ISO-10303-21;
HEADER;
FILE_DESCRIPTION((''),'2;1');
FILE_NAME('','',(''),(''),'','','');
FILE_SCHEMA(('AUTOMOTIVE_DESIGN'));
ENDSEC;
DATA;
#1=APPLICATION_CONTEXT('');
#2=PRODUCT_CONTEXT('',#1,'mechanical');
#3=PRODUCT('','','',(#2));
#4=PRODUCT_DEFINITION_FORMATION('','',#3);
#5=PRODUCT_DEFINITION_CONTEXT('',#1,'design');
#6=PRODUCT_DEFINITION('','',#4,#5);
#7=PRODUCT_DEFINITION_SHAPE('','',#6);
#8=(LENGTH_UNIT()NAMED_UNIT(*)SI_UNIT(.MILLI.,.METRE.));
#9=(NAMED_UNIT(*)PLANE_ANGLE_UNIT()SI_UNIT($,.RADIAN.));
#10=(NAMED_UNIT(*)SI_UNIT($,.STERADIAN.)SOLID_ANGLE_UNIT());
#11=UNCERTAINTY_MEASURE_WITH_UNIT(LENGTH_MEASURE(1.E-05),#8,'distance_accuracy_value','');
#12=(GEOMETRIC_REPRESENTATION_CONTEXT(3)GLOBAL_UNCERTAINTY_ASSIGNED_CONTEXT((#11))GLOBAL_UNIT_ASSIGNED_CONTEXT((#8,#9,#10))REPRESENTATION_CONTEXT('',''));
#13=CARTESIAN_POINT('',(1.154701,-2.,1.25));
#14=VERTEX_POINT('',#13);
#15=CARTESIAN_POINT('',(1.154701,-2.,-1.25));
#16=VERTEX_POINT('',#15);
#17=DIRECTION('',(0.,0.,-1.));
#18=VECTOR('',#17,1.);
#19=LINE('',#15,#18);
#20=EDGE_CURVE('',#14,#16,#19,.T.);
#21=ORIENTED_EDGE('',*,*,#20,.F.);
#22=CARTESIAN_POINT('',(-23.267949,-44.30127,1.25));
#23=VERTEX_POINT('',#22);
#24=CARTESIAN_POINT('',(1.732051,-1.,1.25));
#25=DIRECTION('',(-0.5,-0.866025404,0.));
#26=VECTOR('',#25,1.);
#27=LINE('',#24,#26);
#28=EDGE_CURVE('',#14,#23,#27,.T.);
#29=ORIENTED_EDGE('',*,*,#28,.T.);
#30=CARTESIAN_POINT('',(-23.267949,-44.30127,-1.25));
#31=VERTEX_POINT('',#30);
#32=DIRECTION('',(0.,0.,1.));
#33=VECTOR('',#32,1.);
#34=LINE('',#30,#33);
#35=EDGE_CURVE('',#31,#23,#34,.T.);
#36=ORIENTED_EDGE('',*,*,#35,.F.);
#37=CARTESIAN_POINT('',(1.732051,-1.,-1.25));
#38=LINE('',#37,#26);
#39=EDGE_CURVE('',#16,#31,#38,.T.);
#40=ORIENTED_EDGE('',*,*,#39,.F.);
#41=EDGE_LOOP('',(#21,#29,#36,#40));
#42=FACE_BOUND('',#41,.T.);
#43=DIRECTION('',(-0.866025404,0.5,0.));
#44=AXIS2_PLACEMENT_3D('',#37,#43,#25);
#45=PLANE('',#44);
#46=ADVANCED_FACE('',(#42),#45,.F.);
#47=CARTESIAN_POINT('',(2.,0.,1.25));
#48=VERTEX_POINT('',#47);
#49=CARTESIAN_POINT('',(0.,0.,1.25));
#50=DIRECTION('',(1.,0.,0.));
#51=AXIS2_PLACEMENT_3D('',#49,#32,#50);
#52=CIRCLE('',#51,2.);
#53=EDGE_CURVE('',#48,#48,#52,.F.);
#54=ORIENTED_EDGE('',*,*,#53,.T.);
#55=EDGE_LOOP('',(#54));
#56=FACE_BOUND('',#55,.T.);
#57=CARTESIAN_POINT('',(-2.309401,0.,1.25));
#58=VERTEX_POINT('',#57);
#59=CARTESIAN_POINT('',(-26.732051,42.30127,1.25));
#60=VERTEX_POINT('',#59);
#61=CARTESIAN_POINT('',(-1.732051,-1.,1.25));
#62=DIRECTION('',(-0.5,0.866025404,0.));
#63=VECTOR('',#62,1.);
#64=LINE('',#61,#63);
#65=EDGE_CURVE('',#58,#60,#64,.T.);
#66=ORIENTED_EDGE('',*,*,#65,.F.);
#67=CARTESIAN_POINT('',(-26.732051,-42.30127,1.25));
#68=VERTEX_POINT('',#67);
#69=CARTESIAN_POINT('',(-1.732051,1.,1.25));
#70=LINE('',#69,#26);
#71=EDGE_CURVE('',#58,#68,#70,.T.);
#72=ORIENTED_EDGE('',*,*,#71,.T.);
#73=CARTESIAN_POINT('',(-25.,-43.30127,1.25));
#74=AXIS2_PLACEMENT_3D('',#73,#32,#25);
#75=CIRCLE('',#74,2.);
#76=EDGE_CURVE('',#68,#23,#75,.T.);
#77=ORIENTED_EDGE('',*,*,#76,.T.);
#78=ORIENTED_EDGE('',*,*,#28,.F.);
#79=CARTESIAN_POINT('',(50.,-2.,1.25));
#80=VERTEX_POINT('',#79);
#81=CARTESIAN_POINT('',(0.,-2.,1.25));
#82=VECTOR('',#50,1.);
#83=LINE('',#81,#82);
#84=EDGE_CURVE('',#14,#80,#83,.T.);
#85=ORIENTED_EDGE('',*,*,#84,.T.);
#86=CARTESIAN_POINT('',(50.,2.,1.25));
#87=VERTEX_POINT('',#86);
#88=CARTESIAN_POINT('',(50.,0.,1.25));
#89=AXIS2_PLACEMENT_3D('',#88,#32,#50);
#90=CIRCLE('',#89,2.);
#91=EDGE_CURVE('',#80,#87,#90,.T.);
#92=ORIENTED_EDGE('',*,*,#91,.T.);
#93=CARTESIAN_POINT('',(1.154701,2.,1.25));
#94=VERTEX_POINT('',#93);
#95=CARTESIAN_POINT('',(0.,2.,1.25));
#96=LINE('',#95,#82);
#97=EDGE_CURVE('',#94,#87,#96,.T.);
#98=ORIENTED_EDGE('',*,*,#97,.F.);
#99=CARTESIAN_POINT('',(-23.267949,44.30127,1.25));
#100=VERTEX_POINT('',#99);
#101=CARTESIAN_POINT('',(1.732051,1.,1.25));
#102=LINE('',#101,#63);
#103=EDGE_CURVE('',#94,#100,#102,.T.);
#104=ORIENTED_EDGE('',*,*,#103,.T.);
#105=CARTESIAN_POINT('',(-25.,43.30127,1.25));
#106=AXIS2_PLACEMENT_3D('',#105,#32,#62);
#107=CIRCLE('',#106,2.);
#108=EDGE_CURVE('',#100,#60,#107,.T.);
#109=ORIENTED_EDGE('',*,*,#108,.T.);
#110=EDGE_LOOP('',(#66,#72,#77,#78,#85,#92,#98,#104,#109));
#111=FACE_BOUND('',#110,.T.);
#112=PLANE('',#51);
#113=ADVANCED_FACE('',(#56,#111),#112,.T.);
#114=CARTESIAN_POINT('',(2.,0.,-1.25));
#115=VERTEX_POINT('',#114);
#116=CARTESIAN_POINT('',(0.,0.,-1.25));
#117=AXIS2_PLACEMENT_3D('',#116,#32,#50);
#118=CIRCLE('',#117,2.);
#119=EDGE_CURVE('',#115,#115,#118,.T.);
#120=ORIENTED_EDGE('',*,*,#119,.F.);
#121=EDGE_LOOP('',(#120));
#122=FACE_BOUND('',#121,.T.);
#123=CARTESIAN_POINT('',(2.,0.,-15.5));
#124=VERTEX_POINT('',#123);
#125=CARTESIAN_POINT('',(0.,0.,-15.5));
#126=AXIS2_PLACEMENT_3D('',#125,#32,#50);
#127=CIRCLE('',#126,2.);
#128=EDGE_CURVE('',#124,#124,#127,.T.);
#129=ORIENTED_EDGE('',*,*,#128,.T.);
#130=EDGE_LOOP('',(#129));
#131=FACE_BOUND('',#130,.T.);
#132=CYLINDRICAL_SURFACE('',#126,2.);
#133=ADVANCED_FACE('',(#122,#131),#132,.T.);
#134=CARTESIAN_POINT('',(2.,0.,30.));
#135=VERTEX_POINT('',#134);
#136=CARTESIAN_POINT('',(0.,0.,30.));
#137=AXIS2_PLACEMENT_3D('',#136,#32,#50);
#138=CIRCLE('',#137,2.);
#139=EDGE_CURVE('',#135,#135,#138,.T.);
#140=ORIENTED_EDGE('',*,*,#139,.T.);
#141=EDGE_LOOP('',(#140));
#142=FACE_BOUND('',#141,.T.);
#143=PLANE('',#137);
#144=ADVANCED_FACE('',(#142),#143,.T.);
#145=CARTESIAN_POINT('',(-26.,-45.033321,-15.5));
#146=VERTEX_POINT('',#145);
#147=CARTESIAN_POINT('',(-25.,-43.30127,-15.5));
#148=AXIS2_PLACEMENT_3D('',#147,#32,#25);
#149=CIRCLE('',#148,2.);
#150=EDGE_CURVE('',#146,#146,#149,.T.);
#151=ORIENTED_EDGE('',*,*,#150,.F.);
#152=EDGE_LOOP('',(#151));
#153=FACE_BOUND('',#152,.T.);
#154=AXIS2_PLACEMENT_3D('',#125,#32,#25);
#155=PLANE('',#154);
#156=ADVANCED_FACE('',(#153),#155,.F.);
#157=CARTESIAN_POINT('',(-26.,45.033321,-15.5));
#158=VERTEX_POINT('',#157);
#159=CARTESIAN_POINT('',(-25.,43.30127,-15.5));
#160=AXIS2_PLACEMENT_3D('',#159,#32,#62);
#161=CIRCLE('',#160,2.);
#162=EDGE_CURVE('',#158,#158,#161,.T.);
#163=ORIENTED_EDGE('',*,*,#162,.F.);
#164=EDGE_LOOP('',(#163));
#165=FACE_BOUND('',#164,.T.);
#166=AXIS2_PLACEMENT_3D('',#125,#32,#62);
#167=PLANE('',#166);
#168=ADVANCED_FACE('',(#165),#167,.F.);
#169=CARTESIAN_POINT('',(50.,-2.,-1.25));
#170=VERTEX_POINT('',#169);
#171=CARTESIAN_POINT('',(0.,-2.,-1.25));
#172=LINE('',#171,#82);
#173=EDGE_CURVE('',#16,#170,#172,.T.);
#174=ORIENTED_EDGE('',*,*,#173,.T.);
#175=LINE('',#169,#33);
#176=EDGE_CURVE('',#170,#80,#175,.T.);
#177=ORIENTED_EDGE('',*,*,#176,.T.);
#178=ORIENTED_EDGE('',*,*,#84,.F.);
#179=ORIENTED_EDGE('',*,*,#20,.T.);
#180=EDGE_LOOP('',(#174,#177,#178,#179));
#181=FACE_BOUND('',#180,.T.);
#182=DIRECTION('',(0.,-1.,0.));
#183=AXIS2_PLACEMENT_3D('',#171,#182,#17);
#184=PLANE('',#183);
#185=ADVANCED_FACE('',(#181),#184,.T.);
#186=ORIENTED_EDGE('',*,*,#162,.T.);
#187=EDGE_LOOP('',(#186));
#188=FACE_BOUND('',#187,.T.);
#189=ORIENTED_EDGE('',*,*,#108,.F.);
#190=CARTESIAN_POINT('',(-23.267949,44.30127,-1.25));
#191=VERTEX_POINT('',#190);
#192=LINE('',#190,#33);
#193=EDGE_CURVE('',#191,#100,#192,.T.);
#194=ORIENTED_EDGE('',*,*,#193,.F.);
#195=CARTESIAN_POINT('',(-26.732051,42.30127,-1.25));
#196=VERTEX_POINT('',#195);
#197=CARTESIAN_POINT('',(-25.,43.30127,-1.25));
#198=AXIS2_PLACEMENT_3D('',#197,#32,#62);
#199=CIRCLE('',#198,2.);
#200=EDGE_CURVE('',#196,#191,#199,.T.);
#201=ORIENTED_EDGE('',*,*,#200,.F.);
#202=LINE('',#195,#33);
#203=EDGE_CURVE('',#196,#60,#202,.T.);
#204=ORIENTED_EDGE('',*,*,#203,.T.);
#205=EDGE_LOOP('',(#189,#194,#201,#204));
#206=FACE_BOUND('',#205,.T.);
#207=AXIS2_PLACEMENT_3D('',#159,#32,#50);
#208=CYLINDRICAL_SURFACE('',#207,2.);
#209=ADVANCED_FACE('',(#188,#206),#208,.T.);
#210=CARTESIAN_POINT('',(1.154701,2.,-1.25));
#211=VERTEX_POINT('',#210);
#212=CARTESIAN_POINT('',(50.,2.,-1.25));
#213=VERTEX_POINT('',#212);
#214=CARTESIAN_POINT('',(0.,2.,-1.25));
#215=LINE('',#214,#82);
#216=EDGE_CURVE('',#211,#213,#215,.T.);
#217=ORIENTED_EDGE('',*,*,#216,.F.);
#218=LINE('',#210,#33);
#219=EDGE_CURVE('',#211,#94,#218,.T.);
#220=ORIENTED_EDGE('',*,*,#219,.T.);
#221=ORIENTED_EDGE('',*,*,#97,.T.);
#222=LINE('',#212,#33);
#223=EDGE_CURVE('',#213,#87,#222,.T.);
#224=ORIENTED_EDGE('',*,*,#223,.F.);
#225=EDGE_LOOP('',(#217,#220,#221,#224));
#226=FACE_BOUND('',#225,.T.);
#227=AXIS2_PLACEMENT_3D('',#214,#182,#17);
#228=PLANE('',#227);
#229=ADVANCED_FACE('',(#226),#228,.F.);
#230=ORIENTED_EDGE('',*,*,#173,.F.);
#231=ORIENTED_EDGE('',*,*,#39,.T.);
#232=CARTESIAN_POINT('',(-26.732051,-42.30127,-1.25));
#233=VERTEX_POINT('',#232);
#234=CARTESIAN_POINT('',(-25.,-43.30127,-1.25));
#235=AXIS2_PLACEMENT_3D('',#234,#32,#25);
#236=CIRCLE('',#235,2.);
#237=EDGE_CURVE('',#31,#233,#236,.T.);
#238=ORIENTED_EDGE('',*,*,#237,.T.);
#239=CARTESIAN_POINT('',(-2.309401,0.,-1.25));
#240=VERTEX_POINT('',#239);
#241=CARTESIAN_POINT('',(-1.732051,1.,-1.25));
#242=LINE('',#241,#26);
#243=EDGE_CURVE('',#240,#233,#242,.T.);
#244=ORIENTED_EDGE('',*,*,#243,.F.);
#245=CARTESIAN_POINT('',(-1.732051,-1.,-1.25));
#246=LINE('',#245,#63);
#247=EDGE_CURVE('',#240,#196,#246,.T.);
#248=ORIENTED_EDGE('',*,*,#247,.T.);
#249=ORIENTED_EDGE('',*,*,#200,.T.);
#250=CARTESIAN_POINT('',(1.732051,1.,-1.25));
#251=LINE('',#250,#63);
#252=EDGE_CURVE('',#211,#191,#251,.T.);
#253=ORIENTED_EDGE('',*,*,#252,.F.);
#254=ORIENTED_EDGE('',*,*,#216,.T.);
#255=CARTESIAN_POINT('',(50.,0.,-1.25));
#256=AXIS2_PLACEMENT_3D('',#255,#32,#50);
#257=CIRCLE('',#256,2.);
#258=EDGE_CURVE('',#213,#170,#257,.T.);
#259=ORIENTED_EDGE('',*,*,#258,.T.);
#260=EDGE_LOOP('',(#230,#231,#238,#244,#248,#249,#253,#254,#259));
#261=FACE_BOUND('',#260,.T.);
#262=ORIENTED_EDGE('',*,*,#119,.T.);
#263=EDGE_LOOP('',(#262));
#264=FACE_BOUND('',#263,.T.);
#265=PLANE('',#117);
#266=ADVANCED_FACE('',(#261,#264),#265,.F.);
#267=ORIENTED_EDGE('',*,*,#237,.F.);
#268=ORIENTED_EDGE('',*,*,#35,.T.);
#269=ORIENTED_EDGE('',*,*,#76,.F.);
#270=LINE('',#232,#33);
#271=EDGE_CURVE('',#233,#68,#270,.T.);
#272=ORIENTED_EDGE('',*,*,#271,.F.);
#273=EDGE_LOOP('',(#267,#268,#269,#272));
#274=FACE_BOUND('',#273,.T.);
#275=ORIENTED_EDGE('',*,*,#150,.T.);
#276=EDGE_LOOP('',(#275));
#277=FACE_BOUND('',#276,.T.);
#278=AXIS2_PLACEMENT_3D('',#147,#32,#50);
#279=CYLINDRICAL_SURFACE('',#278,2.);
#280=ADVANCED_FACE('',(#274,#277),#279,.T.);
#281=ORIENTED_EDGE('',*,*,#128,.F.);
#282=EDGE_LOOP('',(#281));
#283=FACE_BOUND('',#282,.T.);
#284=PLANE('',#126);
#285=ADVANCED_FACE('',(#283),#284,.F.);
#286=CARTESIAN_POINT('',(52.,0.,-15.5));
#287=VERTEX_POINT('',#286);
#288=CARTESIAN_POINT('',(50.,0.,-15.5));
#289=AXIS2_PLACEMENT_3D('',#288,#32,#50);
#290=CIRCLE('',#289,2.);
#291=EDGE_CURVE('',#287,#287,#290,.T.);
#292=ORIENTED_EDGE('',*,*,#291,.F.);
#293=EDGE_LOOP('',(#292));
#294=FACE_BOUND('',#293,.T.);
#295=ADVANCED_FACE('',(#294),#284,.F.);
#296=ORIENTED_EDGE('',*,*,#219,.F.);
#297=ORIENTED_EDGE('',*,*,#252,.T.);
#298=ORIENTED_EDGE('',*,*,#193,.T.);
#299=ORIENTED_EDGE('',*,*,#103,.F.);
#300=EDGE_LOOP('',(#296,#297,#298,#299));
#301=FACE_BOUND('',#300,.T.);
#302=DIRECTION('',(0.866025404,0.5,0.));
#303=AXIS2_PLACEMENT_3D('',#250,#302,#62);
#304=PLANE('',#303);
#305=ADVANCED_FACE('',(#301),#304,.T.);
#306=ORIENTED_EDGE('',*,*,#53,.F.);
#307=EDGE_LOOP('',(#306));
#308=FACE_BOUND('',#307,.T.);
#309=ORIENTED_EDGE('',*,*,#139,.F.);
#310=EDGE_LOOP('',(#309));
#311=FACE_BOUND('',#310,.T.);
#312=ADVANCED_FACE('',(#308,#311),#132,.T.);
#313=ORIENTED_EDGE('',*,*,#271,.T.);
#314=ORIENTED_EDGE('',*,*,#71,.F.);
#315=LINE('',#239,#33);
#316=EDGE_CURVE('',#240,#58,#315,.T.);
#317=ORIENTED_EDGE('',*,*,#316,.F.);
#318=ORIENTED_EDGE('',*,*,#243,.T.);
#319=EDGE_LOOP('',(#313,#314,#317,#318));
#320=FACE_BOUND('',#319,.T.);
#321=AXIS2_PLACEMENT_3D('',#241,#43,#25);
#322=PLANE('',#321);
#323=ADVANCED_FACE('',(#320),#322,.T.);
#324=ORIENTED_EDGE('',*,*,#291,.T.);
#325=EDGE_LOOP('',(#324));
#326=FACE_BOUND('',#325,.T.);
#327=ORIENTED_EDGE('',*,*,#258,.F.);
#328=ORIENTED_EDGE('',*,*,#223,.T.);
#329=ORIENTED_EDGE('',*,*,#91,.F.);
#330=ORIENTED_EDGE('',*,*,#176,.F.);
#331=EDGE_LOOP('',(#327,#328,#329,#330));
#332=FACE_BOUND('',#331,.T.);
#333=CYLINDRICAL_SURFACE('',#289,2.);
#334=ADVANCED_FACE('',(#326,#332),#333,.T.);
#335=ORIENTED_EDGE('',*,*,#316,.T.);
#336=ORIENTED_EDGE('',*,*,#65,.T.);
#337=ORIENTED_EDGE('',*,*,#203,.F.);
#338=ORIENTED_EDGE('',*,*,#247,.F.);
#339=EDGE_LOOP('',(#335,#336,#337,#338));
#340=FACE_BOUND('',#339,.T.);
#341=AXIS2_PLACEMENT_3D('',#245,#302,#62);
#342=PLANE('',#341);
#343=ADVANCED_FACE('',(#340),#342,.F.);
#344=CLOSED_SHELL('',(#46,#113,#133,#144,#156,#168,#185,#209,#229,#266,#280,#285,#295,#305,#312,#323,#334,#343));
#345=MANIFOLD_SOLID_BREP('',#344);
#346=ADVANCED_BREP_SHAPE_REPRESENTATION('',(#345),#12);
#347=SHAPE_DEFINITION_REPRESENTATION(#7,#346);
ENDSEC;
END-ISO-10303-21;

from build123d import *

# Parameters (mm, degrees)
BOSS_EXTRUDE1_DEPTH = 1.25
BOSS_EXTRUDE4_START = 1.25
SKETCH1_5_R         = 2
BOSS_EXTRUDE4_DEPTH = 16.75
BOSS_EXTRUDE5_START = 30
SKETCH1_6_R         = 2
BOSS_EXTRUDE5_DEPTH = 30
CIRPATTERN1_COUNT   = 3


with BuildPart() as part:
    # Sketch1 → Boss-Extrude1 (new, symmetric)
    with BuildSketch(Plane.XY):
        with BuildLine():
            ThreePointArc((0, 2), (2, 0), (0, -2))
            Line((0, -2), (50, -2))
            ThreePointArc((50, -2), (48, 0), (50, 2))
            Line((50, 2), (0, 2))
        make_face()
    boss_extrude1 = extrude(amount=BOSS_EXTRUDE1_DEPTH, both=True)

    # Sketch1<5> → Boss-Extrude4 (add)
    with BuildSketch(Plane.XY.offset(BOSS_EXTRUDE4_START)):
        Circle(SKETCH1_5_R)
        with Locations((50, 0)):
            Circle(SKETCH1_5_R)
    boss_extrude4 = extrude(amount=-BOSS_EXTRUDE4_DEPTH)

    # Sketch1<6> → Boss-Extrude5 (add)
    with BuildSketch(Plane.XY.offset(BOSS_EXTRUDE5_START)):
        Circle(SKETCH1_6_R)
    extrude(amount=-BOSS_EXTRUDE5_DEPTH)

    # CirPattern1: Boss-Extrude1, Boss-Extrude4 ×3 about axis
    cirpattern1_axis = Axis((0, 0, 30), (0, 0, 1))
    add([boss_extrude1.rotate(cirpattern1_axis, i * 360 / CIRPATTERN1_COUNT) for i in range(1, CIRPATTERN1_COUNT)])
    add([boss_extrude4.rotate(cirpattern1_axis, i * 360 / CIRPATTERN1_COUNT) for i in range(1, CIRPATTERN1_COUNT)])


solid = part.part
